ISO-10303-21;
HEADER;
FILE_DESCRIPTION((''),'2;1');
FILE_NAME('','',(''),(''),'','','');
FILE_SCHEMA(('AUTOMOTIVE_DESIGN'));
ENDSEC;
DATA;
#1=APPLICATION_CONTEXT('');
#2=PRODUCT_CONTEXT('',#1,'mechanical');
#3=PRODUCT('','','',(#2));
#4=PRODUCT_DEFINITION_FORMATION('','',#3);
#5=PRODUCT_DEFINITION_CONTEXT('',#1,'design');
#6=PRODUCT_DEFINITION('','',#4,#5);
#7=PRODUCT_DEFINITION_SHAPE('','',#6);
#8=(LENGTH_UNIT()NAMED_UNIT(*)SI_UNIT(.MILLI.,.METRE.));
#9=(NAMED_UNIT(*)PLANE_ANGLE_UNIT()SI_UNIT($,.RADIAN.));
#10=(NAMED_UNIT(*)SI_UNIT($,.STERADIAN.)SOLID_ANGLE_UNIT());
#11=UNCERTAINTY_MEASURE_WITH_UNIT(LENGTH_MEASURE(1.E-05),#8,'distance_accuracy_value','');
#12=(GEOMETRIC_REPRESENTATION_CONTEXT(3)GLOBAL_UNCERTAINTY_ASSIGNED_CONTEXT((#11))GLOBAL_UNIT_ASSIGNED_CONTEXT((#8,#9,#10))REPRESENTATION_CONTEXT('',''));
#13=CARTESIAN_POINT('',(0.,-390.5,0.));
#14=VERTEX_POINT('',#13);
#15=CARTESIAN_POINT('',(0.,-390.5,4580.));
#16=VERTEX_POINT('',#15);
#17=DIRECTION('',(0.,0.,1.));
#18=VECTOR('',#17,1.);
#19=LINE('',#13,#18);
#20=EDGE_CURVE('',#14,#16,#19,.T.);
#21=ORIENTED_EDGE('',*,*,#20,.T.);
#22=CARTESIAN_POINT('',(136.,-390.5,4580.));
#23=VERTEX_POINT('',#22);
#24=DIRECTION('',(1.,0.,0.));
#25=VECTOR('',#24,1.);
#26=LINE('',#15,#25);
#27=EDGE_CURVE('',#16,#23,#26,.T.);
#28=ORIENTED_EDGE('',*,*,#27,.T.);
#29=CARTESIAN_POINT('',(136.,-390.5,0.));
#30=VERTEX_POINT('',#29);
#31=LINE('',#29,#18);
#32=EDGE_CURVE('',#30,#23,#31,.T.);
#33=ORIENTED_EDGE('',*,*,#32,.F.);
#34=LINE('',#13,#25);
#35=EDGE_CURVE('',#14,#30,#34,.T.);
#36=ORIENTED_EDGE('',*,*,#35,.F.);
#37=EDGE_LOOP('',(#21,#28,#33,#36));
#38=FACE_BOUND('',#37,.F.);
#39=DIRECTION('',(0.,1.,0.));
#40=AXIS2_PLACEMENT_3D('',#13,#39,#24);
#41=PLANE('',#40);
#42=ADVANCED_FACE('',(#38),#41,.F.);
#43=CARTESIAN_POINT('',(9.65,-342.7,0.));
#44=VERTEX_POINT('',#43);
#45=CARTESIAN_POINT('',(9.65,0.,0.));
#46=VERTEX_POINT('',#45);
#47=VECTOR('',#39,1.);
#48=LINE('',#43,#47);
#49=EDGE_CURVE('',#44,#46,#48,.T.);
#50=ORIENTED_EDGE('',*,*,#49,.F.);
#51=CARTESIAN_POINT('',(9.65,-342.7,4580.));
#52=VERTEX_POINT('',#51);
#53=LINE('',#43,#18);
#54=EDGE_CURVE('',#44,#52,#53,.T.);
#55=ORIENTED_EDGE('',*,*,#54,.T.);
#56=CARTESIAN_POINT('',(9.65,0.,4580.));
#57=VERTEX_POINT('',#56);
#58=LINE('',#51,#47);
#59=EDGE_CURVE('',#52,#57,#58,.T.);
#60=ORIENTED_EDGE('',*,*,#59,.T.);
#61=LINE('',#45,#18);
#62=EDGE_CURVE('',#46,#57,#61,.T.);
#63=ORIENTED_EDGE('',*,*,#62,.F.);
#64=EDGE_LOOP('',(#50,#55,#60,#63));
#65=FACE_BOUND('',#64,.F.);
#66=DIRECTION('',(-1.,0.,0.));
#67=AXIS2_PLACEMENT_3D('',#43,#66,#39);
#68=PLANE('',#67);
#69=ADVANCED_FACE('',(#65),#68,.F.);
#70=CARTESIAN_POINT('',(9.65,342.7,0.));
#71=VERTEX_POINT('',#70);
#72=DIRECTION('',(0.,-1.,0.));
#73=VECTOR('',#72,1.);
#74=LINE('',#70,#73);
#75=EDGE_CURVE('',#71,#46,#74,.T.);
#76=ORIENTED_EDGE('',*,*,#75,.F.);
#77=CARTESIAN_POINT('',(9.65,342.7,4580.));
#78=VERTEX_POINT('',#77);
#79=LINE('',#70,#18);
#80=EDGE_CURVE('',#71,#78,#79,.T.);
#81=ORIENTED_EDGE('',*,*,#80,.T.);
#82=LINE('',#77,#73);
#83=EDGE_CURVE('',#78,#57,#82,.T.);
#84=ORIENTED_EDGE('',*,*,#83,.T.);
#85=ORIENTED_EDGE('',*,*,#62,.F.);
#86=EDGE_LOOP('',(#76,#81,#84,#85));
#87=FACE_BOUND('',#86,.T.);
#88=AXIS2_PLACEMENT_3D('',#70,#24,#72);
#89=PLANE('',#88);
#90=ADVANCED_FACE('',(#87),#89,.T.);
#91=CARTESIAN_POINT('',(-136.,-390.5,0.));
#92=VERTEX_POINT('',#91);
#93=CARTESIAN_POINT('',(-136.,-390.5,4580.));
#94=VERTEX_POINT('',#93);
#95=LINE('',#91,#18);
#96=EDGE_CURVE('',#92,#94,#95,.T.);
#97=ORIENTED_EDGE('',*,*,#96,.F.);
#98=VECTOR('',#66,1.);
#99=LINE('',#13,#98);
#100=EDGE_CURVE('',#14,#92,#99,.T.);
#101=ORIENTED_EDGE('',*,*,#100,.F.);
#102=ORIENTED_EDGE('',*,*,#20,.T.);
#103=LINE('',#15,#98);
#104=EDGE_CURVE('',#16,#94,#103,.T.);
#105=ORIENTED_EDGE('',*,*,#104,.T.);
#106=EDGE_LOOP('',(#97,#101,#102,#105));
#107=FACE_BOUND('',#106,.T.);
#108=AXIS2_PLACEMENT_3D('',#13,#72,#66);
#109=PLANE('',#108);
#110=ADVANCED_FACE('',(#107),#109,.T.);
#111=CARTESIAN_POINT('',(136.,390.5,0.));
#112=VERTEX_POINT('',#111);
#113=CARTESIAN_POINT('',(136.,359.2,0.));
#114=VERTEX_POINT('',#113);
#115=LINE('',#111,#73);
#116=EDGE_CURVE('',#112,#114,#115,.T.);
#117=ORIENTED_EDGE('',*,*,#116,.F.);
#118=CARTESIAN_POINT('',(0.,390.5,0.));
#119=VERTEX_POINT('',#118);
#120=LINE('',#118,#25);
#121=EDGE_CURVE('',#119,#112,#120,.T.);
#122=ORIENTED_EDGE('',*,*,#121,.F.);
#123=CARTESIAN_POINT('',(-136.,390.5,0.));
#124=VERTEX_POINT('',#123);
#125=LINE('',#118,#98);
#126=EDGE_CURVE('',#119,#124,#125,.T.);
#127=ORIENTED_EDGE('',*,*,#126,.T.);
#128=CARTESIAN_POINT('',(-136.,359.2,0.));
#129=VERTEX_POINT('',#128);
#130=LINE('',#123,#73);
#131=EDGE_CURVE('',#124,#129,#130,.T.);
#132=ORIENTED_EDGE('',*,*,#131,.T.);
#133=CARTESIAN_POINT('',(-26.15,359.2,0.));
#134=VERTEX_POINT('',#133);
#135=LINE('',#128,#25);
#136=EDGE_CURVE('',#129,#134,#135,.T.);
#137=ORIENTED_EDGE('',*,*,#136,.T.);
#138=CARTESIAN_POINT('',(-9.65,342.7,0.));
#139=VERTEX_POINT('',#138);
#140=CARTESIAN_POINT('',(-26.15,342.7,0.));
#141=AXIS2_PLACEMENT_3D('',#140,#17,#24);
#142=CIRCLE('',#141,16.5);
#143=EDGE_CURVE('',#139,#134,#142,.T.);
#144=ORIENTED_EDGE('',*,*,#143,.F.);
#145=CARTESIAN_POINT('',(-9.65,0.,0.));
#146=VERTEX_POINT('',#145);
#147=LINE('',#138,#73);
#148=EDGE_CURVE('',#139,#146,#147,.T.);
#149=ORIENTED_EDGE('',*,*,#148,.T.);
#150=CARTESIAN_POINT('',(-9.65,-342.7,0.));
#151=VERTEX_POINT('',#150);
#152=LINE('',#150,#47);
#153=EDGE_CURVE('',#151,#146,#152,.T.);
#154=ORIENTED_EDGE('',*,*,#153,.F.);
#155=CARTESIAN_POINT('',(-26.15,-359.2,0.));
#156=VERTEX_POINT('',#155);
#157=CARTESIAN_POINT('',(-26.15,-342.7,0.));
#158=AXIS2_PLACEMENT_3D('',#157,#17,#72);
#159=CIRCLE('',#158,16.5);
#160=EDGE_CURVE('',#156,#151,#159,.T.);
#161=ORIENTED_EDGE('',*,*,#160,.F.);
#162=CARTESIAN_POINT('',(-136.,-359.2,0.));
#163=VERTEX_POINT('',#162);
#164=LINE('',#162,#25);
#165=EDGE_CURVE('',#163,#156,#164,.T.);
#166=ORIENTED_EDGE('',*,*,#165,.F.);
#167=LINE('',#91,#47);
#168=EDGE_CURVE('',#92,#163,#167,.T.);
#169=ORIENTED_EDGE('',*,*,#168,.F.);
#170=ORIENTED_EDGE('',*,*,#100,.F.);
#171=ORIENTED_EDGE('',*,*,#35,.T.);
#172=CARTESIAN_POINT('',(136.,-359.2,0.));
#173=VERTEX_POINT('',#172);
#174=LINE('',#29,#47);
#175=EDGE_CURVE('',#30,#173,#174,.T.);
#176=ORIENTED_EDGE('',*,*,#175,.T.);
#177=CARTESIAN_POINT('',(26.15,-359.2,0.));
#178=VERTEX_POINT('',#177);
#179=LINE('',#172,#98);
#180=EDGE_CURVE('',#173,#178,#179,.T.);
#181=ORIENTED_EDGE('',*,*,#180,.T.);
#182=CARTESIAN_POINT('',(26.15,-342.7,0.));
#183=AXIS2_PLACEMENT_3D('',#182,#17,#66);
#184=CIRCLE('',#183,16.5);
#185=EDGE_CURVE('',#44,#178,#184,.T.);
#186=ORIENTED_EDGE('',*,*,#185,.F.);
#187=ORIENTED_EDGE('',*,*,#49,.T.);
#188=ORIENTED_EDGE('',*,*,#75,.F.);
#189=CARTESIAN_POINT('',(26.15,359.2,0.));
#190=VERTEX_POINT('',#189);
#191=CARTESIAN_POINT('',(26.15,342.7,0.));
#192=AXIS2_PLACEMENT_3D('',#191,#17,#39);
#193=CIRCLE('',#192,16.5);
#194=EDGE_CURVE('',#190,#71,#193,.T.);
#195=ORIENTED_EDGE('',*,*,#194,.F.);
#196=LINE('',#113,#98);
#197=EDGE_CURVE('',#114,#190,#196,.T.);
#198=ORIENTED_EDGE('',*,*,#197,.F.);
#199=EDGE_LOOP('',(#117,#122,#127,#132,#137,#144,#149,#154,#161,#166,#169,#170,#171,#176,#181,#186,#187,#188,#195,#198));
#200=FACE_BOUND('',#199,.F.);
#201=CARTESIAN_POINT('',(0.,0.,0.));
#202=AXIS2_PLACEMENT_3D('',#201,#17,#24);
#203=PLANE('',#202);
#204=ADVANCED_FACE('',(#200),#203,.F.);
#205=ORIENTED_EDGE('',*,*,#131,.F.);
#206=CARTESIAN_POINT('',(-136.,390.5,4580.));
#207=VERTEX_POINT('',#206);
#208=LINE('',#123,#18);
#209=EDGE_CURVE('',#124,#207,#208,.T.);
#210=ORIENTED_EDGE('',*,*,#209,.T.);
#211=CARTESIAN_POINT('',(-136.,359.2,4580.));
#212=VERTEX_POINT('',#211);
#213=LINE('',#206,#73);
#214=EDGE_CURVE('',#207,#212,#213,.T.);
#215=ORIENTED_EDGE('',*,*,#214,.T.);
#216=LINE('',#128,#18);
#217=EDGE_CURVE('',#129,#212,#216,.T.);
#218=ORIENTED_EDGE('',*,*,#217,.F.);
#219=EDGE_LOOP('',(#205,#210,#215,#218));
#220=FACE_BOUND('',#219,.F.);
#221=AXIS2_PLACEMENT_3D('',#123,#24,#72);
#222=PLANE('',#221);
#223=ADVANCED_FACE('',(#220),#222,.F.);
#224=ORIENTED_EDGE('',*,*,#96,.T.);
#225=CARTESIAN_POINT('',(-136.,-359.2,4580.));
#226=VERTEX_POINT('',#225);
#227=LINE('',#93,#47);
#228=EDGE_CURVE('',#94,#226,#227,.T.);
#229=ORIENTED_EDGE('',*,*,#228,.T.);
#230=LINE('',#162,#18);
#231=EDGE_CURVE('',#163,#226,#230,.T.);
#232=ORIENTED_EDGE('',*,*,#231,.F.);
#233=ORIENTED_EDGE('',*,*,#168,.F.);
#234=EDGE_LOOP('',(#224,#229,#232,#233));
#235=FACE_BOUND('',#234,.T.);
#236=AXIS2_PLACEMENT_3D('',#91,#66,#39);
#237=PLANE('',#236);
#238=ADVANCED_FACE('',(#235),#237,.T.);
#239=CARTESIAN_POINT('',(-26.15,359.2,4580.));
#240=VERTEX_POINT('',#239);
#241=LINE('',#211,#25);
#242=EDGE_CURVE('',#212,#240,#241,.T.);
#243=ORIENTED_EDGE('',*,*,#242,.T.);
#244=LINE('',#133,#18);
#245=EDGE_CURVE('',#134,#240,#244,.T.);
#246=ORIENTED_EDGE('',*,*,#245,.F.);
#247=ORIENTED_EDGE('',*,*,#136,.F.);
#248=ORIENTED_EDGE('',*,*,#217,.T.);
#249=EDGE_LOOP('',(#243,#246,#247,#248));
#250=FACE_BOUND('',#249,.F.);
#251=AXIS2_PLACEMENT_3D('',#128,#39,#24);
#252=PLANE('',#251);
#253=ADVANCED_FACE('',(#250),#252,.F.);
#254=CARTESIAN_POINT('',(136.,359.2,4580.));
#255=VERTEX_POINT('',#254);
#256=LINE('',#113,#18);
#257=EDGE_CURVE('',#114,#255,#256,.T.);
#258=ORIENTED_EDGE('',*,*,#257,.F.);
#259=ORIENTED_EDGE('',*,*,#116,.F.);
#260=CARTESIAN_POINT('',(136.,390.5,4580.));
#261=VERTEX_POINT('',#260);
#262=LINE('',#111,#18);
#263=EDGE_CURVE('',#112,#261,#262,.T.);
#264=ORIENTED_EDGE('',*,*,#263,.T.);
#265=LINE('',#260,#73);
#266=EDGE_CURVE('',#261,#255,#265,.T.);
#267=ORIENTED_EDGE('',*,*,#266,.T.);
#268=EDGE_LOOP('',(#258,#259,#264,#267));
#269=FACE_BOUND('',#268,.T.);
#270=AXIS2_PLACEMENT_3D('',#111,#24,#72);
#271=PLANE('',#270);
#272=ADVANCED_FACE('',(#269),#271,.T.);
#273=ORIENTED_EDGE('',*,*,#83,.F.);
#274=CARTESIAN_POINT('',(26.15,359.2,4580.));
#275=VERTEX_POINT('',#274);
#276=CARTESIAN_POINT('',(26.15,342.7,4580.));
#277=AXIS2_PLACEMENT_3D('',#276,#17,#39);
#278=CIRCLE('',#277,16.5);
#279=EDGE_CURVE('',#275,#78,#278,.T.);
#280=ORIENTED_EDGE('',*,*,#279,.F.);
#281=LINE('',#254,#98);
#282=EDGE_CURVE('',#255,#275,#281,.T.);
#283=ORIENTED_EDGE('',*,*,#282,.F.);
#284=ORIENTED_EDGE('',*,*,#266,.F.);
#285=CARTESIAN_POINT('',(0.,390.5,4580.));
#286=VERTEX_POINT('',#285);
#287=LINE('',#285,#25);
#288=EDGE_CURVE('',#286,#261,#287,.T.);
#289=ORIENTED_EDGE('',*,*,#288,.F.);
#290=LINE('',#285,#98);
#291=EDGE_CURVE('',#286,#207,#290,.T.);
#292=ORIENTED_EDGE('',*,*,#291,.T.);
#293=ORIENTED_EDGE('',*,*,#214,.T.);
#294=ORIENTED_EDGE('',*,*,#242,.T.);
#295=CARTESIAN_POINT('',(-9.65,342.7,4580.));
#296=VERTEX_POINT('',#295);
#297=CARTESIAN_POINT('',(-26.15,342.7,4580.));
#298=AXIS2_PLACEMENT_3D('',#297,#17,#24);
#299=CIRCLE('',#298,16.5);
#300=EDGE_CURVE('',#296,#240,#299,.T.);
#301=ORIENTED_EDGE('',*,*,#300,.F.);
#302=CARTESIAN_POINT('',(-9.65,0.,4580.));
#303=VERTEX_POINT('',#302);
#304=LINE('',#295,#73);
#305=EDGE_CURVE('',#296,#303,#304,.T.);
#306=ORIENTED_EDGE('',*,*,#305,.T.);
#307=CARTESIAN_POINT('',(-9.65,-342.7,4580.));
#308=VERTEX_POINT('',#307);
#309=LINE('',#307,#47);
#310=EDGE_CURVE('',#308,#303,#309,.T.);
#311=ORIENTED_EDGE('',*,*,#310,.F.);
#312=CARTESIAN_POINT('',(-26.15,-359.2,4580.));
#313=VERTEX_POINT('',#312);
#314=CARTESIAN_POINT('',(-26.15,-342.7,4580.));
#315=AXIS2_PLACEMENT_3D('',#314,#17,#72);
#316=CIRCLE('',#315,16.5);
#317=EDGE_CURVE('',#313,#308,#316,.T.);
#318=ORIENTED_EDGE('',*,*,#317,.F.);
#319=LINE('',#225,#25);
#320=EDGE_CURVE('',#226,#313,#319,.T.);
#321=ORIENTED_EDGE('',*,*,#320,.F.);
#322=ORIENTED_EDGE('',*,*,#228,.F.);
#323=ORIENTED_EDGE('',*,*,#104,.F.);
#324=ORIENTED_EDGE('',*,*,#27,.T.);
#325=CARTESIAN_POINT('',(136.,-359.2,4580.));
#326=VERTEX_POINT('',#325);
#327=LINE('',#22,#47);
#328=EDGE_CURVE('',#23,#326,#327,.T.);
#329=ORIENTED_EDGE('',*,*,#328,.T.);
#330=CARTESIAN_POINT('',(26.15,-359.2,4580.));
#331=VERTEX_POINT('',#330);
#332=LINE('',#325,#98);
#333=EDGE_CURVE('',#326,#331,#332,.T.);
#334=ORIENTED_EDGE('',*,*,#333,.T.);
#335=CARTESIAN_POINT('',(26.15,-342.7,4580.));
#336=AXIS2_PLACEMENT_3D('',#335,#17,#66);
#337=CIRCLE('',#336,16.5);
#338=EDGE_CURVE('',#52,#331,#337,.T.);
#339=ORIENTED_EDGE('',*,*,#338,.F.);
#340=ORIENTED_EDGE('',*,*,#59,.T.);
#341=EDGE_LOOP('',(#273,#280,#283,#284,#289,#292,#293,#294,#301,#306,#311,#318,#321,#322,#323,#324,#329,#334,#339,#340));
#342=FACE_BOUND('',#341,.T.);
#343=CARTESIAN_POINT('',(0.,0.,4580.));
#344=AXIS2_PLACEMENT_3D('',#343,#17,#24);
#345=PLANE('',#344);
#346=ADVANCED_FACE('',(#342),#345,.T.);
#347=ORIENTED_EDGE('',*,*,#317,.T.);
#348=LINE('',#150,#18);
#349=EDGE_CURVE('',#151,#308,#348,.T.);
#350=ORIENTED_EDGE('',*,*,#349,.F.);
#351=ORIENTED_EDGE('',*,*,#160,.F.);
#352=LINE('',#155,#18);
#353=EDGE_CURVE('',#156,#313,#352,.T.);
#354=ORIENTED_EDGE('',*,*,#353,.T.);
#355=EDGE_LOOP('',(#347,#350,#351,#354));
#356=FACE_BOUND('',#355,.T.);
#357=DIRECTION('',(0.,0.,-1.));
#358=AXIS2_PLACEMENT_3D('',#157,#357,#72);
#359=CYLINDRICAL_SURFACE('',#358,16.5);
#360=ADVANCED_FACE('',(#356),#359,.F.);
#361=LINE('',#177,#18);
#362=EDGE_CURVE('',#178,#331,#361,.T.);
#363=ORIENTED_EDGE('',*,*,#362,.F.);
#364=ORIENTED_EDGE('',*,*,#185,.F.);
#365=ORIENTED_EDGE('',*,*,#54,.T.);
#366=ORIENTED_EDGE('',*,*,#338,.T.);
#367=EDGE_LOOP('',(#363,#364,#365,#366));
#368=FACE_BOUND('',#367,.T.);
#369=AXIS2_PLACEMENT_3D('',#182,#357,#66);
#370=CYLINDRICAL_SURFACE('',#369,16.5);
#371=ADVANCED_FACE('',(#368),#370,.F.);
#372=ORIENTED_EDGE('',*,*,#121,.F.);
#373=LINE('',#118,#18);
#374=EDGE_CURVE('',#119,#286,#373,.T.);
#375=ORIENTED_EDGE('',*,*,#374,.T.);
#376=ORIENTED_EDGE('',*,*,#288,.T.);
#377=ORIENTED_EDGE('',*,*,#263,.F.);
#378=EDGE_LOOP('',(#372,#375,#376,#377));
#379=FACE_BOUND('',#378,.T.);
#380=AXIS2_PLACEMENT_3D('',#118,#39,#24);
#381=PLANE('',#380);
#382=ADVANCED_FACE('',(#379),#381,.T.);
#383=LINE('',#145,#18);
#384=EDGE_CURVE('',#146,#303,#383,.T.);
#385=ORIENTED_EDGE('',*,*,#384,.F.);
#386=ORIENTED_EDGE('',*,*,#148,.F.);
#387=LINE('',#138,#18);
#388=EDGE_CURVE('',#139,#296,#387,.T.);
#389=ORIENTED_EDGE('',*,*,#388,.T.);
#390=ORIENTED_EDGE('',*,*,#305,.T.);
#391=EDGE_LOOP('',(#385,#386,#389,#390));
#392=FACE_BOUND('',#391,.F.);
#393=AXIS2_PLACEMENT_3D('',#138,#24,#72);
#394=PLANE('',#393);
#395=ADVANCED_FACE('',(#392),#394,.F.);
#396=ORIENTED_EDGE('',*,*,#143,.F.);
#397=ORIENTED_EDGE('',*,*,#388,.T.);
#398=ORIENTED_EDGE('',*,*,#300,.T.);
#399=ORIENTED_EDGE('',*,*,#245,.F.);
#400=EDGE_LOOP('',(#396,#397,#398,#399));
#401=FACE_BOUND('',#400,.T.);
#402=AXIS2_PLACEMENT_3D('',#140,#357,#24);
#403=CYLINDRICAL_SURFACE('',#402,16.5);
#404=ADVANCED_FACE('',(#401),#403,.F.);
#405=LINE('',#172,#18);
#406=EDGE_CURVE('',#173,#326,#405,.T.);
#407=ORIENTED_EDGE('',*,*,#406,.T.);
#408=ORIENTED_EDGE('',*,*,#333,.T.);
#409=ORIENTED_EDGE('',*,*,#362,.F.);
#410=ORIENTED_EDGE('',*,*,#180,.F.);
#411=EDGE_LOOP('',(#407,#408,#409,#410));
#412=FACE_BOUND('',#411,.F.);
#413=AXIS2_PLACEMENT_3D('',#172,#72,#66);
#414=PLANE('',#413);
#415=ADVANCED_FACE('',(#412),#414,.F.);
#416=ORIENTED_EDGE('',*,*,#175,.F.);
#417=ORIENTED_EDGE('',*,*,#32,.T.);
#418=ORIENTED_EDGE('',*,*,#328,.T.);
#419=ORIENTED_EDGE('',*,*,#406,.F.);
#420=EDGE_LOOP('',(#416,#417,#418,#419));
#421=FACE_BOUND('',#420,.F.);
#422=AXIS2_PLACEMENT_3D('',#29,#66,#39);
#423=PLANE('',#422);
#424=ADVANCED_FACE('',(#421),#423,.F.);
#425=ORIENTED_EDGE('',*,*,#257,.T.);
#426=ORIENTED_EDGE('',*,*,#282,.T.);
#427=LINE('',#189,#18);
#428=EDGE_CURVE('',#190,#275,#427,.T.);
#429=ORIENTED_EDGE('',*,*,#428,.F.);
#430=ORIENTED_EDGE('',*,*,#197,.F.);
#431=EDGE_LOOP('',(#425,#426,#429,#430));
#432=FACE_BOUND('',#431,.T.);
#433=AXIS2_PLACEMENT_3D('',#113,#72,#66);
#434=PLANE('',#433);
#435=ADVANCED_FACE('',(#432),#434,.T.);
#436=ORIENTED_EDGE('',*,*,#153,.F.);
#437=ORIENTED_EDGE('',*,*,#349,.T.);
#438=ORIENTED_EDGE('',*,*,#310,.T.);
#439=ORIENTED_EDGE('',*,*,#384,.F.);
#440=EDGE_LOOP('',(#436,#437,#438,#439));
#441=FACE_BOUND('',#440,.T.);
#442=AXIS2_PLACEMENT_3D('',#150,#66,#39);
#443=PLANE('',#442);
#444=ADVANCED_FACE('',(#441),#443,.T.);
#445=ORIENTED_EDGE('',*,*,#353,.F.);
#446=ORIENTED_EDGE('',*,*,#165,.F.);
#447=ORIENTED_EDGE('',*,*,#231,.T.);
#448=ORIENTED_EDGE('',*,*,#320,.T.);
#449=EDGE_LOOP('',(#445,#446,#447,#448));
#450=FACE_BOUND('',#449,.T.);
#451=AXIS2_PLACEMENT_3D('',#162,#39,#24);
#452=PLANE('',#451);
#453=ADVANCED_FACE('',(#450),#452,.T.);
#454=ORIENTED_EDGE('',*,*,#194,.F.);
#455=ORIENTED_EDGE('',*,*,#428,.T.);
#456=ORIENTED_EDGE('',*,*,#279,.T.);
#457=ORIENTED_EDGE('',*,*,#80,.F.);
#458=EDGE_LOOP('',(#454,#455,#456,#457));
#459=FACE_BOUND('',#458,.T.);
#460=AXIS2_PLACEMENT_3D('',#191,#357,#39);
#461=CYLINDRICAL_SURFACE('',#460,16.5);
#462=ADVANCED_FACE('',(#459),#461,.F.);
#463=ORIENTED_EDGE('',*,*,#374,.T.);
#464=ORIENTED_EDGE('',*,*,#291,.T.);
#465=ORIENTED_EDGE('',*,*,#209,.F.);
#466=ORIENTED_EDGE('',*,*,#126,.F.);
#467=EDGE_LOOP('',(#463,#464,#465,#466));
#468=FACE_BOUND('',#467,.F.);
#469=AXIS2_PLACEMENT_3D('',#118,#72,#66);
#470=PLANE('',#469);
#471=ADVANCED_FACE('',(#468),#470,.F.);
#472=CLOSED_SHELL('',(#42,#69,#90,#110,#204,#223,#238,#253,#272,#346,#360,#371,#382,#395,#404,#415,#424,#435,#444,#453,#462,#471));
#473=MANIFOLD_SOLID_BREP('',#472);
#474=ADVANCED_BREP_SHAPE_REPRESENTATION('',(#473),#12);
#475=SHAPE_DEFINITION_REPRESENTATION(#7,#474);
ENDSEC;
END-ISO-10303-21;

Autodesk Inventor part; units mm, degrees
ref_plane "YZ Plane" through (0, 0, 0) normal (1, 0, 0) x (0, 1, 0)
ref_plane "Start plane" through (0, 0, 0) normal (0, 0, 1) x (1, 0, 0)
ref_plane "End plane" through (0, 0, 4580) normal (0, 0, 1) x (1, 0, 0)
sketch "Sketch" plane through (0, 0, 0) normal (0, 0, 1) x (1, 0, 0)
  line L0 (-136, -390.5) -> (-136, -359.2)
  line L1 (-136, -359.2) -> (-26.15, -359.2)
  line L2 (-9.65, -342.7) -> (-9.65, 0)
  line L3 (-9.65, 0) -> (0, 0) construction
  line L4 (0, 0) -> (0, -390.5) construction
  line L5 (0, -390.5) -> (-136, -390.5)
  line L6 (-60, 0) -> (80, 0) construction
  line L7 (0, -60) -> (0, 80) construction
  line L8 (136, -390.5) -> (136, -359.2)
  line L9 (136, -359.2) -> (26.15, -359.2)
  line L10 (9.65, -342.7) -> (9.65, 0)
  line L11 (9.65, 0) -> (0, 0) construction
  line L12 (0, -390.5) -> (136, -390.5)
  line L13 (-136, 390.5) -> (-136, 359.2)
  line L14 (-136, 359.2) -> (-26.15, 359.2)
  line L15 (-9.65, 342.7) -> (-9.65, 0)
  line L16 (0, 390.5) -> (-136, 390.5)
  line L17 (136, 390.5) -> (136, 359.2)
  line L18 (136, 359.2) -> (26.15, 359.2)
  line L19 (0, 390.5) -> (136, 390.5)
  line L20 (9.65, 342.7) -> (9.65, 0)
  arc A0 (-9.65, 342.7) -> (-26.15, 359.2) centre (-26.15, 342.7) ccw
  arc A1 (26.15, 359.2) -> (9.65, 342.7) centre (26.15, 342.7) ccw
  arc A2 (9.65, -342.7) -> (26.15, -359.2) centre (26.15, -342.7) ccw
  arc A3 (-26.15, -359.2) -> (-9.65, -342.7) centre (-26.15, -342.7) ccw
  line L21 (0, 108) -> (0, -88) construction
  line L22 (-88, 0) -> (108, 0) construction
  point P0 (-9.65, -359.2)
  point P1 (9.65, -359.2)
  point P2 (-9.65, 359.2)
  point P3 (9.65, 359.2)
  dimension "d1" = 390.5
  dimension "d2" = 31.3
  dimension "d3" = 136
  dimension "d4" = 9.65
  dimension "d10" = 16.5
extrude "Body" add sketch "Sketch" along normal up to surface (4580 mm away) from surface at 0
sketch "Sketch4" plane through (0, 0, 0) normal (0, 0, 1) x (1, 0, 0)
  line L0 (0, 0) -> (10, 0)
ref_plane "Work Plane3" through (0, 0, 0) normal (0, -1, 0) x (1, 0, 0)
sketch "Sketch5" plane through (0, 0, 0) normal (0, -1, 0) x (1, 0, 0)
  line L0 (-2, 0) -> (12, 0) projected
  line L1 (-2, 4580) -> (12, 4580) projected
  dimension "d14" = 4580
equation "\"d1\" = 0.5 * G_H"
equation "\"d2\" = G_T1"
equation "\"d3\" = 0.5 * G_W"
equation "\"d4\" = 0.5 * G_T"
equation "\"d10\" = G_IR"
equation "\"d5\" = G_L"
equation "\"G_W\" = 272"
equation "\"G_H\" = 781"
equation "\"G_T\" = 19.3"
equation "\"G_T1\" = 31.3"
equation "\"G_IR\" = 16.5"
equation "\"G_L\" = d14"
equation "\"G_OFFSET_START\" = 0"
equation "\"G_OFFSET_END\" = 0"
properties part number "AS 3679-1990 - 760 UB - 244 - 4580" material "Steel, Mild"
